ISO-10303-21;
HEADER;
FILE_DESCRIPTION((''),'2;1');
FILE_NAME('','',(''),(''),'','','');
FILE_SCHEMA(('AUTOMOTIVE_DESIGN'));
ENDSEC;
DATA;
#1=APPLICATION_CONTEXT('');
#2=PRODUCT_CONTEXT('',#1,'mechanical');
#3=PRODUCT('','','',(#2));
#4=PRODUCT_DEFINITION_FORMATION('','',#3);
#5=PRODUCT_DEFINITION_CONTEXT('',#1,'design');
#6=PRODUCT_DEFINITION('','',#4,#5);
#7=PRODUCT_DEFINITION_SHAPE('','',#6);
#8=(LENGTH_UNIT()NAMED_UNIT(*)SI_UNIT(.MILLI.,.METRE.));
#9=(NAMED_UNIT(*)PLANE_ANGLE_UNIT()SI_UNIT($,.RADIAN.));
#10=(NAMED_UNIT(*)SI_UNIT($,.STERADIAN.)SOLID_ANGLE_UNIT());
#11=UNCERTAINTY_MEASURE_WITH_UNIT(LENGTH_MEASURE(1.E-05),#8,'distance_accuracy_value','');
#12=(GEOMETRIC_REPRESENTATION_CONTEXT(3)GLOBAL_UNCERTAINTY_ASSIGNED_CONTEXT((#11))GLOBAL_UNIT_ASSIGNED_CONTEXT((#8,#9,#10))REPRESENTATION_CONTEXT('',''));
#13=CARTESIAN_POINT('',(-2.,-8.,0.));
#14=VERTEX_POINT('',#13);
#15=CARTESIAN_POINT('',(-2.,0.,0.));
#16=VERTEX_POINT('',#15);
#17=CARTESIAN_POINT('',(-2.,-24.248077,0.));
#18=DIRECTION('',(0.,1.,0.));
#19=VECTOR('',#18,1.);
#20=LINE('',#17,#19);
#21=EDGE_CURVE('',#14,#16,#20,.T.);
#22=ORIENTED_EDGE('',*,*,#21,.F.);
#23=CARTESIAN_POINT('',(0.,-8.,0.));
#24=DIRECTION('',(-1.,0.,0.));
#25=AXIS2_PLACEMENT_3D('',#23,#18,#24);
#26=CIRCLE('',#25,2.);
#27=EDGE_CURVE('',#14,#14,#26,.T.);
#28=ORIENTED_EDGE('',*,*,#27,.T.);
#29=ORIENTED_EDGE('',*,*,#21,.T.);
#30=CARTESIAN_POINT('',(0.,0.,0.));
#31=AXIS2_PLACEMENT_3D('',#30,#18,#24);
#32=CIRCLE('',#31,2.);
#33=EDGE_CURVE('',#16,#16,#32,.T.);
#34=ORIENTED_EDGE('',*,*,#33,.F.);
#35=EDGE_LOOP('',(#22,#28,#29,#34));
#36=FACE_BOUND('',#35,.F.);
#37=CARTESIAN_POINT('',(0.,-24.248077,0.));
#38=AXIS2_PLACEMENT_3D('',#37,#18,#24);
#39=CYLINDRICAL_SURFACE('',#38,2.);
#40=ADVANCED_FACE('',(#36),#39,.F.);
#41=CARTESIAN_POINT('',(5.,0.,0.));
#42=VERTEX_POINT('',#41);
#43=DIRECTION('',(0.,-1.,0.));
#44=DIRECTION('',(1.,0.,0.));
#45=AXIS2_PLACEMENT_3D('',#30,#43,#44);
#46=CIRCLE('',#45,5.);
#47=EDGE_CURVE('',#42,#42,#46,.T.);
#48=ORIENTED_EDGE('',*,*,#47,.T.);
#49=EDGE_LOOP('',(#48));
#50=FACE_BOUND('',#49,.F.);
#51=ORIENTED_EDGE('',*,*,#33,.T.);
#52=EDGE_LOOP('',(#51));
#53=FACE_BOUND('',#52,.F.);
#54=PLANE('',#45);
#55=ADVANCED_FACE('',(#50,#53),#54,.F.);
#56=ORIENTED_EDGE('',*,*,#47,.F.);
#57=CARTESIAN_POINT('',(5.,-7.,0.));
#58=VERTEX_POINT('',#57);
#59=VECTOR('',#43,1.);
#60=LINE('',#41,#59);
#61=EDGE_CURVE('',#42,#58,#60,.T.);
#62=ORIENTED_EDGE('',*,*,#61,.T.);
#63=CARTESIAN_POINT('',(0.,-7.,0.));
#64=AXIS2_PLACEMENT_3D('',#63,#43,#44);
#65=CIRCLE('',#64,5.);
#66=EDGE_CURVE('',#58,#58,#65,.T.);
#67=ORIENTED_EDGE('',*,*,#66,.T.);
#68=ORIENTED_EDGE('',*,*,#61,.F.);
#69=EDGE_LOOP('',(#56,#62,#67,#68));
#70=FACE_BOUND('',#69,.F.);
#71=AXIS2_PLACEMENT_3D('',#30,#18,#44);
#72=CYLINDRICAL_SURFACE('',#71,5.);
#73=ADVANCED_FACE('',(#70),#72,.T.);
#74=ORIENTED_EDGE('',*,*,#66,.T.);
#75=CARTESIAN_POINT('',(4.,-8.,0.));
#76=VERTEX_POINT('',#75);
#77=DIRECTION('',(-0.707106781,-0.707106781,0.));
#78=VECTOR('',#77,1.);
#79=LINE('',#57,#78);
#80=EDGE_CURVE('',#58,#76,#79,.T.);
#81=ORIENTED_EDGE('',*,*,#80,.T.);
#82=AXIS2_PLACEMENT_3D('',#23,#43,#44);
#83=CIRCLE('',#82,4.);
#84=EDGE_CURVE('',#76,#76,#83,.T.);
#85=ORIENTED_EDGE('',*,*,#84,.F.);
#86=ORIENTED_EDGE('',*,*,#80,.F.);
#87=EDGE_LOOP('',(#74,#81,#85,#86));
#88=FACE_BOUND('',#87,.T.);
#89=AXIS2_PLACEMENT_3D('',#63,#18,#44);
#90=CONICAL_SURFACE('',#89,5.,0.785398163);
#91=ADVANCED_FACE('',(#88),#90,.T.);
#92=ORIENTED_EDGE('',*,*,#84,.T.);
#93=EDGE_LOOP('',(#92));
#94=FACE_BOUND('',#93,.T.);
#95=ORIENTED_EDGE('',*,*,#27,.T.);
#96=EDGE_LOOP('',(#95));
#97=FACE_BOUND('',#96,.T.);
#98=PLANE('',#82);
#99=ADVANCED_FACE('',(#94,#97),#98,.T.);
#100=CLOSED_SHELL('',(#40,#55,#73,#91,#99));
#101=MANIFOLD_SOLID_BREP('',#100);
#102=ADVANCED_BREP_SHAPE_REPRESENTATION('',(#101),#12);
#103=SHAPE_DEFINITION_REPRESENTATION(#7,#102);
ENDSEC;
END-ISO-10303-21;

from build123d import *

# Parameters (mm, degrees)
F0_R     = 5
F1_DEPTH = 8
F3_D     = 4
F4_SIZE  = 1


with BuildPart() as f1:
    # F0 (on Front) → F1 (new body)
    with BuildSketch(Plane.XZ):
        Circle(F0_R)
    extrude(amount=F1_DEPTH)

    # F3 (through all)
    with Locations(Plane.XZ.offset(8)):
        with Locations((0, 0)):
            Hole(F3_D / 2)

    # F4
    f4_edges = [f1.edges().sort_by_distance(p)[0] for p in [
        (-5, -8, 0),
    ]]
    chamfer(f4_edges, length=F4_SIZE)


solid = f1.part
